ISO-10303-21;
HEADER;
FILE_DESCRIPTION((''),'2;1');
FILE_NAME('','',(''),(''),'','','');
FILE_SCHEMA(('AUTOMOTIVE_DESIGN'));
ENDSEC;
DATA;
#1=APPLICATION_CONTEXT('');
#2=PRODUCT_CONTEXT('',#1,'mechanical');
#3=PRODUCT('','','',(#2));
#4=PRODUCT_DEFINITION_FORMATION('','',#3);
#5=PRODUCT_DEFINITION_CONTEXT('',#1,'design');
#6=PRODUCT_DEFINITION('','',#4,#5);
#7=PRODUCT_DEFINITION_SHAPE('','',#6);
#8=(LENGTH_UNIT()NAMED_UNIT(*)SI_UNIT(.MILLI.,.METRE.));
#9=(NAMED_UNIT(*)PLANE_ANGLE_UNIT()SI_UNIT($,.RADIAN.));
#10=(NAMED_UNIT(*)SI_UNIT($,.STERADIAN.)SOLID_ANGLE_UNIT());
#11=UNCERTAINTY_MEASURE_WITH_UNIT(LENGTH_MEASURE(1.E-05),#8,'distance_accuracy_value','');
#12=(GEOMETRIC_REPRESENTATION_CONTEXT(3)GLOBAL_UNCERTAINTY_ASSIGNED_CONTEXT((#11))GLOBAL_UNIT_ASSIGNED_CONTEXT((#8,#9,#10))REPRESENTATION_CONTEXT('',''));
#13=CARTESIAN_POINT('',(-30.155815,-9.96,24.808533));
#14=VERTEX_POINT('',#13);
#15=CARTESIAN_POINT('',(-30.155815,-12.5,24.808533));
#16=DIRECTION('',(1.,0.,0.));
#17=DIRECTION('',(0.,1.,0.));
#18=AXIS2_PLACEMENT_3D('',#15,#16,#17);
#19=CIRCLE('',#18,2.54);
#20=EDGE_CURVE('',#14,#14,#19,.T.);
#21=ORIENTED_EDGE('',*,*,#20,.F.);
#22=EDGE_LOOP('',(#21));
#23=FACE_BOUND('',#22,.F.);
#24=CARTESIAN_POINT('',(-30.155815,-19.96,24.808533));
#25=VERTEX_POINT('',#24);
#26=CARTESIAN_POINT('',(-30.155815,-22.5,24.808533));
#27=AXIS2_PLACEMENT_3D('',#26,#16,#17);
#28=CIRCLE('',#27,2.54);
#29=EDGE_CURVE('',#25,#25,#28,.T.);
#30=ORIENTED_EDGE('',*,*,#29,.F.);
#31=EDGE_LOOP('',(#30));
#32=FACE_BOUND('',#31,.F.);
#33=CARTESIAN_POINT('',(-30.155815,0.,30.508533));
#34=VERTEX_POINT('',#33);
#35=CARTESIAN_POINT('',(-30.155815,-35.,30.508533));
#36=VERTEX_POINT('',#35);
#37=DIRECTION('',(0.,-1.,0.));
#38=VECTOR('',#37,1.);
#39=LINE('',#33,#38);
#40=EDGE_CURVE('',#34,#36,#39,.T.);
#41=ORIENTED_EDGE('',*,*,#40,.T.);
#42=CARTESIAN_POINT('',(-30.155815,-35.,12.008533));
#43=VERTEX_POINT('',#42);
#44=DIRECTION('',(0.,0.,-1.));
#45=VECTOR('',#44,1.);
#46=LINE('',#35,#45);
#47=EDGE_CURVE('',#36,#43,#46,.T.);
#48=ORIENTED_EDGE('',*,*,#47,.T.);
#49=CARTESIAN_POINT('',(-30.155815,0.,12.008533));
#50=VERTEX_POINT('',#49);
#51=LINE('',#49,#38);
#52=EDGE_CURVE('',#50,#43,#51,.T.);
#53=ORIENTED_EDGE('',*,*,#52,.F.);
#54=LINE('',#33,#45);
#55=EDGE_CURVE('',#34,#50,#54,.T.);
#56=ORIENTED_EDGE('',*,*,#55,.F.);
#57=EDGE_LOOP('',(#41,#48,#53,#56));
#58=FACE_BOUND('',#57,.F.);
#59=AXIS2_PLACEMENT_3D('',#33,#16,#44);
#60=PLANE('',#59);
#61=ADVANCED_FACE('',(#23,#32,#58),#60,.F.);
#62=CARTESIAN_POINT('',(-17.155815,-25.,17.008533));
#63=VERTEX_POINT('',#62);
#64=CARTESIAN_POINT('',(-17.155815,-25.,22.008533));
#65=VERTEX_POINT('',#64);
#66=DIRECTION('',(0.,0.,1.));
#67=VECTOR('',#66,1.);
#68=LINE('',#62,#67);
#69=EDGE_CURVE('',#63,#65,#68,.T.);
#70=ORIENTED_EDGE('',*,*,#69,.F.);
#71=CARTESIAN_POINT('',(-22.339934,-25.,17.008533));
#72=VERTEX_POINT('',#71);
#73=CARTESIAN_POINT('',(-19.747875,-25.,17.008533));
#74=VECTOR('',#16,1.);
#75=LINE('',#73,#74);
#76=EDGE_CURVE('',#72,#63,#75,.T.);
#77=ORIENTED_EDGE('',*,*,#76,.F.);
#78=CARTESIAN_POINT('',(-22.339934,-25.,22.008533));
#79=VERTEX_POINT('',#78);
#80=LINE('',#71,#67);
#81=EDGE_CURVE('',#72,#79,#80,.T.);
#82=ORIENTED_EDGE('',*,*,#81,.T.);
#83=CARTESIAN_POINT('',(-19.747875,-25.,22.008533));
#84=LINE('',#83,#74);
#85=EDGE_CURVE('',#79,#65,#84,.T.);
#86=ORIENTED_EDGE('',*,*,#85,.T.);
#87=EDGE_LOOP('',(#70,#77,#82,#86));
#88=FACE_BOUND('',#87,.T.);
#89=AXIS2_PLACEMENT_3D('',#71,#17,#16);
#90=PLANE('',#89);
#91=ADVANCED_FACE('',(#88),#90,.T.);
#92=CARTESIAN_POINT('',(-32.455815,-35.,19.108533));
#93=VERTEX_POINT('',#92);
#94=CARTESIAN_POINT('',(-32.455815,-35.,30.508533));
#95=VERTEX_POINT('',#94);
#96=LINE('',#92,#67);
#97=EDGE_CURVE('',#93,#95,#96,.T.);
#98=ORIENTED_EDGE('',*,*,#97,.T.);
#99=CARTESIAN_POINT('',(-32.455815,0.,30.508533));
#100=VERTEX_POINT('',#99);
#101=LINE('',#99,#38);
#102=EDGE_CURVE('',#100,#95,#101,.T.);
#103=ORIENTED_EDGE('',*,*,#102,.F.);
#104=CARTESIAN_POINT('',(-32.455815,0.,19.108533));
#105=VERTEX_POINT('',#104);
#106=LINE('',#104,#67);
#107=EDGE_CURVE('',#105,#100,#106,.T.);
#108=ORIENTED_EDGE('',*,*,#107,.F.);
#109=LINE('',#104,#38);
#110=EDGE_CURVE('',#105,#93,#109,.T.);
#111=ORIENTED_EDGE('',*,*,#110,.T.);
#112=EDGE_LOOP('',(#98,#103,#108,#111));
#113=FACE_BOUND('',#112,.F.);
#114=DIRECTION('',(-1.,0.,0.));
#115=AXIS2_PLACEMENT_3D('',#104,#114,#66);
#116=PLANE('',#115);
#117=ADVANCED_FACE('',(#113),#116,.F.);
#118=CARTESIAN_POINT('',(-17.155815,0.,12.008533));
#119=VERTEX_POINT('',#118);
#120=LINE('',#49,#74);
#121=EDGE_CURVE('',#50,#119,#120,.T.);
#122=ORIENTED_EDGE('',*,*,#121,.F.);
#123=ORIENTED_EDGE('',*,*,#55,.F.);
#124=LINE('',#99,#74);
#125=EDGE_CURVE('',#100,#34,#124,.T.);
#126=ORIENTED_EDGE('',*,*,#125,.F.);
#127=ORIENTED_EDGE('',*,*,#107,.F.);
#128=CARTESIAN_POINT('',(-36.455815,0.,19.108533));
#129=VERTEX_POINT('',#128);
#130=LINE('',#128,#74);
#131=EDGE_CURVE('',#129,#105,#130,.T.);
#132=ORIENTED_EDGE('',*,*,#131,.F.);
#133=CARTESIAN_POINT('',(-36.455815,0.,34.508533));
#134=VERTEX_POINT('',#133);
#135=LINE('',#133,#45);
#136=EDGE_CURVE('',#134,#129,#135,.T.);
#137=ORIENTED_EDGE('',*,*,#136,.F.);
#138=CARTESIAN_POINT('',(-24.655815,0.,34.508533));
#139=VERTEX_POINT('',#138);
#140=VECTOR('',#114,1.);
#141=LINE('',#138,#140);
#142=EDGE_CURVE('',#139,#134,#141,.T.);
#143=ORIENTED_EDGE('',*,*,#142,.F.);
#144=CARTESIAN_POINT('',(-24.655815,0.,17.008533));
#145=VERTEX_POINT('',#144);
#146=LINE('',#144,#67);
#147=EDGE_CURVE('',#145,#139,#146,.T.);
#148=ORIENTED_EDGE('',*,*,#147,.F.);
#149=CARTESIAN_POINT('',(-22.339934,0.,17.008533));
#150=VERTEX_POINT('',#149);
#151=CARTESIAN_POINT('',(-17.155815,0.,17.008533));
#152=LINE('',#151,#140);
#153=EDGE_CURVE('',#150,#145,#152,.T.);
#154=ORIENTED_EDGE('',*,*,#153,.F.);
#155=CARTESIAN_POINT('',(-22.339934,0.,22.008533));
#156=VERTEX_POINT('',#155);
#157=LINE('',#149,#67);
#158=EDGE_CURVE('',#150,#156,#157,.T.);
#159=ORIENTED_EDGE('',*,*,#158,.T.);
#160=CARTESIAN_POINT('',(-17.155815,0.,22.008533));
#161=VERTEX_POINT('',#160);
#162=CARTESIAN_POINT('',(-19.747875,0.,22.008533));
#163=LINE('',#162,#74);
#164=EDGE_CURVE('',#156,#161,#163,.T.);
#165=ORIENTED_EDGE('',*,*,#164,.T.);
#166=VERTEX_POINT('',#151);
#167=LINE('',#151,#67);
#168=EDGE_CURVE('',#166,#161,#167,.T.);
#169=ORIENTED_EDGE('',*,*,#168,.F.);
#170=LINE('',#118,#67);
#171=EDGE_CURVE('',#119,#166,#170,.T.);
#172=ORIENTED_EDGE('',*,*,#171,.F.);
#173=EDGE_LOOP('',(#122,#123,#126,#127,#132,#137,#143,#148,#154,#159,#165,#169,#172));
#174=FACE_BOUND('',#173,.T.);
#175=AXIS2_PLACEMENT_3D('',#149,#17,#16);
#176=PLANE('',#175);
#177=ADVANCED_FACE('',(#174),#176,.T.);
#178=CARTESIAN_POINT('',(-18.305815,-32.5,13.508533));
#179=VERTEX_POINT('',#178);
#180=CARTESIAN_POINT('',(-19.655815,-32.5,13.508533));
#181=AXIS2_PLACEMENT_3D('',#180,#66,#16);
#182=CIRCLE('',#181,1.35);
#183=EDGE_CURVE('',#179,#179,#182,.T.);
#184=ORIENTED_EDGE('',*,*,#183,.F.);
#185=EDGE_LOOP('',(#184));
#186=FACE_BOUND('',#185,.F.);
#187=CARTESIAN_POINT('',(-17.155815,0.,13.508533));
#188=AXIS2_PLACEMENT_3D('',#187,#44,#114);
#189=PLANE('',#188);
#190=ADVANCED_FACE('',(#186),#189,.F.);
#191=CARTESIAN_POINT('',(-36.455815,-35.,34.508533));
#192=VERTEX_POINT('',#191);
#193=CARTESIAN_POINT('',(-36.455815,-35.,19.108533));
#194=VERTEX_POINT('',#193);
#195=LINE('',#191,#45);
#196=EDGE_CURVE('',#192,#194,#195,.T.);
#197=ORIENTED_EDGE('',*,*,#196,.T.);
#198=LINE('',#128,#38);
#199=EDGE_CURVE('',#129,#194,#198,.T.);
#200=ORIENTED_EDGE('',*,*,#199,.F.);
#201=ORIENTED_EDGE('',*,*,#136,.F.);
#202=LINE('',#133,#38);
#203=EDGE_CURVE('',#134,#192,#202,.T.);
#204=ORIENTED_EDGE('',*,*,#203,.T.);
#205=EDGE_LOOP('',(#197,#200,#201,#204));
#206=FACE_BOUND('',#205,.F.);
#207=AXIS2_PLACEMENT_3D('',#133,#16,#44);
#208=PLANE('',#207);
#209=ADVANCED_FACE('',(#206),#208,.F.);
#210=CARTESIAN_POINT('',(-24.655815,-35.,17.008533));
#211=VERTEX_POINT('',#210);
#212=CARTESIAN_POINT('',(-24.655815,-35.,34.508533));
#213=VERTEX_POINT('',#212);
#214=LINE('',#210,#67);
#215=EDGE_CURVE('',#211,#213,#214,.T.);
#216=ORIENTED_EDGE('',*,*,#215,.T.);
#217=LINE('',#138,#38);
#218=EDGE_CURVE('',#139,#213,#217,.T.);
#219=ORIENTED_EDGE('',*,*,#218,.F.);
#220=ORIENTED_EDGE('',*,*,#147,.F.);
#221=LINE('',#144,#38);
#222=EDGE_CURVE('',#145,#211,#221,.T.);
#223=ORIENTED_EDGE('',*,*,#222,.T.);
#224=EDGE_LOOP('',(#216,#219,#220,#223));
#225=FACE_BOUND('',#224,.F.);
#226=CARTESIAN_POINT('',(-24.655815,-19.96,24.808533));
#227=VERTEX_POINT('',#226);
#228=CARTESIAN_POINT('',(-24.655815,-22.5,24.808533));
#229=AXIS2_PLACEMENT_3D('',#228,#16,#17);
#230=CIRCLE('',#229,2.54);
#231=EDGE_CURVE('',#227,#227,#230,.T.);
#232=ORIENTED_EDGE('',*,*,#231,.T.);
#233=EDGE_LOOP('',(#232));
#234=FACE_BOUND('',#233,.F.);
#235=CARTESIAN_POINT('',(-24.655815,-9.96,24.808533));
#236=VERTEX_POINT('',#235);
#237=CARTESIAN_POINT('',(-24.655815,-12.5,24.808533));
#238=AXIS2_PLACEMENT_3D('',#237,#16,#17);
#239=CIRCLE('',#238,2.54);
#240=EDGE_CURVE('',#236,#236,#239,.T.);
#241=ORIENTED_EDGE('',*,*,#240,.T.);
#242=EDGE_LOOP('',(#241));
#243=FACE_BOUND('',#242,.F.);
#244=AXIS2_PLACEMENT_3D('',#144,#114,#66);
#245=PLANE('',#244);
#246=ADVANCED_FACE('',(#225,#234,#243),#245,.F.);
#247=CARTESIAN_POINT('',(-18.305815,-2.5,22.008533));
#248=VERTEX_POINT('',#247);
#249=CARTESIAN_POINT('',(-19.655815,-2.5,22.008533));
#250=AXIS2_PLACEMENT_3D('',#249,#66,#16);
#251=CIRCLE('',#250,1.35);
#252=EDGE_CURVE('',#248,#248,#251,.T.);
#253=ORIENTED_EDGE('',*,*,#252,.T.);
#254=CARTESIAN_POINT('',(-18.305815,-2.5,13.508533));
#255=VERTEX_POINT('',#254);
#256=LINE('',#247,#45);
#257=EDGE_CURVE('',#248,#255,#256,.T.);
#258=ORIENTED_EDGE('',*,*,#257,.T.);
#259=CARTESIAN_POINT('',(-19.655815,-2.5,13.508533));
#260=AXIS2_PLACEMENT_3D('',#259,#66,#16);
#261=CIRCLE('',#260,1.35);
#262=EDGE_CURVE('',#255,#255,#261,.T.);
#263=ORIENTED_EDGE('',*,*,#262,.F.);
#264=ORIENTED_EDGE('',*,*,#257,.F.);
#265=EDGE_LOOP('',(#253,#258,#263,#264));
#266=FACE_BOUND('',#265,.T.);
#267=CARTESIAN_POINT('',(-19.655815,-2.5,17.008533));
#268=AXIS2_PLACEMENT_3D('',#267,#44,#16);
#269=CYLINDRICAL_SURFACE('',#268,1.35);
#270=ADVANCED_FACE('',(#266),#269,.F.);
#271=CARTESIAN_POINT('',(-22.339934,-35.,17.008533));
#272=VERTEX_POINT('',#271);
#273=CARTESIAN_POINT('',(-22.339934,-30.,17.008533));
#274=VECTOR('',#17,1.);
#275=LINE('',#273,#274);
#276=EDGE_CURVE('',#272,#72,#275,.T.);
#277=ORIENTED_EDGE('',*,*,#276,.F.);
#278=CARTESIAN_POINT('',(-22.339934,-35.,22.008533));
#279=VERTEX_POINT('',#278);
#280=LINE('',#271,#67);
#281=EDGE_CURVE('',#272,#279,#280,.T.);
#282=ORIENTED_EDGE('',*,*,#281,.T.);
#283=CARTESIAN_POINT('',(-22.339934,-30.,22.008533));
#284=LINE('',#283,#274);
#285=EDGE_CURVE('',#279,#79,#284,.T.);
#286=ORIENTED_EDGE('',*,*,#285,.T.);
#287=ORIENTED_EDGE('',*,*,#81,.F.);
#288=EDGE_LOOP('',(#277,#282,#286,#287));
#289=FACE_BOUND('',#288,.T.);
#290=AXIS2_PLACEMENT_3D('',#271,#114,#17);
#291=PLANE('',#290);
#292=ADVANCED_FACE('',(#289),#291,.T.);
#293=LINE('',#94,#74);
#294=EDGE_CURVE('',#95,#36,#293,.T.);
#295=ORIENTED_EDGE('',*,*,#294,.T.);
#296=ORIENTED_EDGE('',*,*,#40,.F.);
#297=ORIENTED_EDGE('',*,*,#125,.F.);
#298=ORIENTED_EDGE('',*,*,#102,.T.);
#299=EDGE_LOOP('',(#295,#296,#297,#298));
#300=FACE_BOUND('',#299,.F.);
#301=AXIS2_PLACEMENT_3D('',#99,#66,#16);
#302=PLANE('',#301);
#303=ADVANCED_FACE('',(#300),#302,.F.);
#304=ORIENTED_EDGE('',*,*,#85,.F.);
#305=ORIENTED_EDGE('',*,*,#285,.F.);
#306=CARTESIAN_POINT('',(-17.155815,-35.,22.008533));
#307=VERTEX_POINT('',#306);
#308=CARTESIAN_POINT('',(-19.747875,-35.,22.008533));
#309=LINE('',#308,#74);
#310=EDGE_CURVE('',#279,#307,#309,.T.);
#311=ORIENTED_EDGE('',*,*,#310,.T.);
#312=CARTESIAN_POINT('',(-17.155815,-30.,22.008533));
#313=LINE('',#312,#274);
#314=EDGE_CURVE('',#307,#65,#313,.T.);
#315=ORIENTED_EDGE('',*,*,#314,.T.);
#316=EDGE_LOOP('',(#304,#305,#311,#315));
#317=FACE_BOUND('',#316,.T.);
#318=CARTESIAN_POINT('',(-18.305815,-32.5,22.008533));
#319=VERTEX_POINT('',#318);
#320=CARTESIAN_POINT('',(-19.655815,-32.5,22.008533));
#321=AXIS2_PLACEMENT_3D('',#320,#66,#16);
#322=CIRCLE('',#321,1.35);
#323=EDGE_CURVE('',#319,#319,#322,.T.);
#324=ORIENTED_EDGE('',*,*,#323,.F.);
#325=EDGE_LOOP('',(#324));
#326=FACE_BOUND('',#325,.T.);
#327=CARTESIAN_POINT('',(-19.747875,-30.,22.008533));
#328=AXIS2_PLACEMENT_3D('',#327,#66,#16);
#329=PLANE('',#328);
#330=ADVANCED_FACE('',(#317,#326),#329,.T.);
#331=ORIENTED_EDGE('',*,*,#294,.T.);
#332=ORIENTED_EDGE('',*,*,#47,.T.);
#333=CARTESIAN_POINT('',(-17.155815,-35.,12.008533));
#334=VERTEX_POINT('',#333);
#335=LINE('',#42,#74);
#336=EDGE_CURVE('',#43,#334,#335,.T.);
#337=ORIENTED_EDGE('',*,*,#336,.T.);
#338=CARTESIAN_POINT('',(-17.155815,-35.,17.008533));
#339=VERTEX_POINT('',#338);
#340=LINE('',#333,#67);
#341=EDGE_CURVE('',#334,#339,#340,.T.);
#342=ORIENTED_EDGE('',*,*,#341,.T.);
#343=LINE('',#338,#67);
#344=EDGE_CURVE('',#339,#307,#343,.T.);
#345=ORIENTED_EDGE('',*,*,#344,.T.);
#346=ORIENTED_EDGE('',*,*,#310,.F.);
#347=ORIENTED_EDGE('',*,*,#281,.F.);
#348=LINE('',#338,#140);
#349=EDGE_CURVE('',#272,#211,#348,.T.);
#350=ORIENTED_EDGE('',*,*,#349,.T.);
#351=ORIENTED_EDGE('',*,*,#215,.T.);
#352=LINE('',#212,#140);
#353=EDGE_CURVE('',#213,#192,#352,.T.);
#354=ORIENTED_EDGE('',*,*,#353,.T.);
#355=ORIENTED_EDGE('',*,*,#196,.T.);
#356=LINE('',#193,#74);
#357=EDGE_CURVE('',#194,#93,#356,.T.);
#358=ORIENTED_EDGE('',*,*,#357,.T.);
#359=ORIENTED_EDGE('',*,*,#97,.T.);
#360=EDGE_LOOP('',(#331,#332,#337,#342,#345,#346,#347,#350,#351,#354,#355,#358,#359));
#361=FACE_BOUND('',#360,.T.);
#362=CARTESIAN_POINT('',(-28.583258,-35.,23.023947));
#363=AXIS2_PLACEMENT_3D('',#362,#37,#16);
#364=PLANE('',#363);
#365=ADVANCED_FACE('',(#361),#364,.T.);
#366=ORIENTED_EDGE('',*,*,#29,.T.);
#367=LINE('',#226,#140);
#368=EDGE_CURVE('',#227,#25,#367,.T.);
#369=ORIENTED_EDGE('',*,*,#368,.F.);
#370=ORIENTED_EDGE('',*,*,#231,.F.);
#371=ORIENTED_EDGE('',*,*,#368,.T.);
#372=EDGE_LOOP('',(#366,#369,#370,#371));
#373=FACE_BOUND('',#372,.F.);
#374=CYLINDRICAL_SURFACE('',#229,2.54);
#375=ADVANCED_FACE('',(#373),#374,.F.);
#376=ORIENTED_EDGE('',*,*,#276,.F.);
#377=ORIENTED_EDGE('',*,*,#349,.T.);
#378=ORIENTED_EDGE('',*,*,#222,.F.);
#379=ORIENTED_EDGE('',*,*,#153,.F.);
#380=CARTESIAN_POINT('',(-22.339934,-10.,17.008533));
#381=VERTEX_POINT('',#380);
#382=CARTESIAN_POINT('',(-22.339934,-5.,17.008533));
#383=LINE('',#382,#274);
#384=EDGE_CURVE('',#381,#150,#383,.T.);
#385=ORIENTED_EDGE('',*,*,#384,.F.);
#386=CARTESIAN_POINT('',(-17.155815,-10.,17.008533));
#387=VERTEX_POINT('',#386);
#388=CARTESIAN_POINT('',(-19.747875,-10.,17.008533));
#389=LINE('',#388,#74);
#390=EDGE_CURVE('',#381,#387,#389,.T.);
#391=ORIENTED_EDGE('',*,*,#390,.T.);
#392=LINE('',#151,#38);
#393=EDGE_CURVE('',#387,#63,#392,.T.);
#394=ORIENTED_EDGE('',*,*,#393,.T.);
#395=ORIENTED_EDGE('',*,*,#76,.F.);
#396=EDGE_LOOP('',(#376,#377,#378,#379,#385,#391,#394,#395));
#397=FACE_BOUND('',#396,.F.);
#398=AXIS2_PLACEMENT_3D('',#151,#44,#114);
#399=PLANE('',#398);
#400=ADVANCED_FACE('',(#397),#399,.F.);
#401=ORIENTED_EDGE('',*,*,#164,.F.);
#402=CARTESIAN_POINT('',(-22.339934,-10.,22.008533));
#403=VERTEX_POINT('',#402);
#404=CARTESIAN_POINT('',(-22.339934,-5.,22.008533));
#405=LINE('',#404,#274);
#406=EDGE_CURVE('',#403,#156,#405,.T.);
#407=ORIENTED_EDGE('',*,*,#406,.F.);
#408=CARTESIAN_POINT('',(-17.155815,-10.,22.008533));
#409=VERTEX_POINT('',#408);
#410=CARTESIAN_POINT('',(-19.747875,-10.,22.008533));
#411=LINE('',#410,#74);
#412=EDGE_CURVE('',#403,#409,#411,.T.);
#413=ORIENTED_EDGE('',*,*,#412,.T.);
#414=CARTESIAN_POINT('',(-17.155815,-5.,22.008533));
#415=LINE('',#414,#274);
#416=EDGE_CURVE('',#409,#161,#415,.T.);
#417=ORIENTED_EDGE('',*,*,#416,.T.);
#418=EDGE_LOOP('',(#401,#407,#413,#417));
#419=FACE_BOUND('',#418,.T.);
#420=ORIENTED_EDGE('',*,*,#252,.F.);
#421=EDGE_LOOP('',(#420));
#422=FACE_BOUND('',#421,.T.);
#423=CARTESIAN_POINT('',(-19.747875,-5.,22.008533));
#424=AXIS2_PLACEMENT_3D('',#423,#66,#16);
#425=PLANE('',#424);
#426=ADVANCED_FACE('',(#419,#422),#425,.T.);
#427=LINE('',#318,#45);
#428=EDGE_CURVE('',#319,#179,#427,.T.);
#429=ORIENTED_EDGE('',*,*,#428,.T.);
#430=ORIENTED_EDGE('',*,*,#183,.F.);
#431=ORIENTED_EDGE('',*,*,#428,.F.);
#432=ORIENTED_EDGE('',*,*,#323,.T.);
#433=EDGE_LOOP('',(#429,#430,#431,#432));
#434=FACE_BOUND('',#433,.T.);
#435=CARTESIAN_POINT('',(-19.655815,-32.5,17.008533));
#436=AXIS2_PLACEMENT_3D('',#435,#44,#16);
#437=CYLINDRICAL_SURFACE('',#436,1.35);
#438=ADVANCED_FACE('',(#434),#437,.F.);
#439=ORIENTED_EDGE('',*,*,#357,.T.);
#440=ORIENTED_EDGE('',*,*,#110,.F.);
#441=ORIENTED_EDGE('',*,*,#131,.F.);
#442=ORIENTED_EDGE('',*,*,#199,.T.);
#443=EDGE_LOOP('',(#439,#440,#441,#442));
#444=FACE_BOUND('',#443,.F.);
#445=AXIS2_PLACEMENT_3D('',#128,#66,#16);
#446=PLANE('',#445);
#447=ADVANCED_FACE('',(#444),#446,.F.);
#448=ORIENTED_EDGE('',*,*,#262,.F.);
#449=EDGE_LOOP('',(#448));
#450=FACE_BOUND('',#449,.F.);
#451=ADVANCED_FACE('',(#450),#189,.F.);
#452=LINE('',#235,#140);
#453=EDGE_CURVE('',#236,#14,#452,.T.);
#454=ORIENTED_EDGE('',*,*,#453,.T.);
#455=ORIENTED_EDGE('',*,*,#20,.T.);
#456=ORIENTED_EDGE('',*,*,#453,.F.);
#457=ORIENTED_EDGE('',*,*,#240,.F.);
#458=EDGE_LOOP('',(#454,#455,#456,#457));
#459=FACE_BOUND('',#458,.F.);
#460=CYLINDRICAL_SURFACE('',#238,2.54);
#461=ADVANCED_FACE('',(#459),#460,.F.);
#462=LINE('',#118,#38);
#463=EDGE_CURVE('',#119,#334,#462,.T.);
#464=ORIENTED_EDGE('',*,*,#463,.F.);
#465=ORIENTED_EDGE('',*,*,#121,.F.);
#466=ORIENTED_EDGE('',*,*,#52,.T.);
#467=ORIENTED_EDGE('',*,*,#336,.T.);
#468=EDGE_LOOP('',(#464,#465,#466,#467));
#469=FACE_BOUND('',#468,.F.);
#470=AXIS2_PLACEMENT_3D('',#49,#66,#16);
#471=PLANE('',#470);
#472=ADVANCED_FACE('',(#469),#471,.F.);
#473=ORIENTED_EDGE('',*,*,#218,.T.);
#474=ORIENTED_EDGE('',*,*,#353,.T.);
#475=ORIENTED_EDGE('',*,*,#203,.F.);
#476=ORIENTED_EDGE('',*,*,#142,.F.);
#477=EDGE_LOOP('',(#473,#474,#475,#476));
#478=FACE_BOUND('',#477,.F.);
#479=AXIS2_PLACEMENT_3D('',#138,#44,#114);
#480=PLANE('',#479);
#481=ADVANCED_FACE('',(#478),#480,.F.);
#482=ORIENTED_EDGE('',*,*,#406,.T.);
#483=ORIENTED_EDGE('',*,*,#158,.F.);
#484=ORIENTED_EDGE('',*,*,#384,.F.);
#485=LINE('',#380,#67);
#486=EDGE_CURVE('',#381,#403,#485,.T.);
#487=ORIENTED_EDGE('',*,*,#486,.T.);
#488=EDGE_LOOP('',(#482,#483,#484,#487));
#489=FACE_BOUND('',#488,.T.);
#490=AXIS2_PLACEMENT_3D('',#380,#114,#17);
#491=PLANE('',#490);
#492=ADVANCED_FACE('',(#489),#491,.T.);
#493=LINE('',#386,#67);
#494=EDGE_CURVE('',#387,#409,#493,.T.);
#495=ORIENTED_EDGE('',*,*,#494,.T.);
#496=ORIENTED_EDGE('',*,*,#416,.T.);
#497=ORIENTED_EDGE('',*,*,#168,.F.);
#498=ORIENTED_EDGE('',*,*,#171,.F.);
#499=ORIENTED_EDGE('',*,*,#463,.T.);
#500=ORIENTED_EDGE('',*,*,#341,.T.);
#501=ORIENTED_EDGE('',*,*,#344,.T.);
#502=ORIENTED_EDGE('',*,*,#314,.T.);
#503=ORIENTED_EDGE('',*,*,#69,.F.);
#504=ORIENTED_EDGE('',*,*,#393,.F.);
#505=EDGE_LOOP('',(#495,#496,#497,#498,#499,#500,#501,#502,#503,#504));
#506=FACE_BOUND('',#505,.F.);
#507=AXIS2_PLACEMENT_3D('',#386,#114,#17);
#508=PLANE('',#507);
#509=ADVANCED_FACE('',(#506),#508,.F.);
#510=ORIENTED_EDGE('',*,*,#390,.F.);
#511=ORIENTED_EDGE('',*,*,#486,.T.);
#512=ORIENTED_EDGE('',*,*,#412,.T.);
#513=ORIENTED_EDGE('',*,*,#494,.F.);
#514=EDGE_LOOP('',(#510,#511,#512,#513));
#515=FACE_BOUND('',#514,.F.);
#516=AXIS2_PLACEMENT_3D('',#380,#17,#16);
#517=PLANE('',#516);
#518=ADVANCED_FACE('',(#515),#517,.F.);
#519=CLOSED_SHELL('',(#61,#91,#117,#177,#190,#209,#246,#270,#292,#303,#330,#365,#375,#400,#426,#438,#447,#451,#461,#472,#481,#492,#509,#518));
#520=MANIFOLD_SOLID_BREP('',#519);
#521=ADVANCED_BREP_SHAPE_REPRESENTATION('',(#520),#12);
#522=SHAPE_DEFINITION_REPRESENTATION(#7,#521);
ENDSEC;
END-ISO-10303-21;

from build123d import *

# Parameters (mm, degrees)
F1_DEPTH = 35
F2_W     = 5.1841197739
F2_H     = 10
F2_R     = 1.35
F3_DEPTH = 5
F4_R     = 2.54
F5_DEPTH = 5.5
F6_DEPTH = 3.5


with BuildPart() as f1:
    # F0 (on Front) → F1 (new body)
    with BuildSketch(Plane.XZ):
        Polygon((-36.4558147092, 34.5085331884), (-36.4558147092, 19.1085331884), (-32.4558147092, 19.1085331884), (-32.4558147092, 30.5085331884), (-30.1558147092, 30.5085331884), (-30.1558147092, 12.0085331884), (-17.1558147092, 12.0085331884), (-17.1558147092, 17.0085331884), (-24.6558147092, 17.0085331884), (-24.6558147092, 34.5085331884), align=None)
    extrude(amount=F1_DEPTH)

    # F2 (on face) → F3 (join)
    with BuildSketch(Plane.XY.offset(17.0085331884)):
        with Locations((-19.7478745962, -5)):
            Rectangle(F2_W, F2_H)
        with Locations((-19.6558147092, -2.5)):
            Circle(F2_R, mode=Mode.SUBTRACT)
        with Locations((-19.7478745962, -30)):
            Rectangle(F2_W, F2_H)
        with Locations((-19.6558147092, -32.5)):
            Circle(F2_R, mode=Mode.SUBTRACT)
    extrude(amount=F3_DEPTH)

    # F4 (on face) → F5 (cut, through all)
    with BuildSketch(Plane.YZ.offset(-24.6558147092)):
        with Locations((-22.5, 24.8085331884)):
            Circle(F4_R)
        with Locations((-12.5, 24.8085331884)):
            Circle(F4_R)
    extrude(amount=-F5_DEPTH, mode=Mode.SUBTRACT)

    # F6 (cut): faces of the model
    f6_faces = [f1.faces().sort_by_distance(p)[0] for p in [
        (-19.6558147092, -32.5, 17.0085331884),
        (-19.6558147092, -2.5, 17.0085331884),
    ]]
    extrude(f6_faces, amount=-F6_DEPTH, mode=Mode.SUBTRACT)


solid = f1.part
